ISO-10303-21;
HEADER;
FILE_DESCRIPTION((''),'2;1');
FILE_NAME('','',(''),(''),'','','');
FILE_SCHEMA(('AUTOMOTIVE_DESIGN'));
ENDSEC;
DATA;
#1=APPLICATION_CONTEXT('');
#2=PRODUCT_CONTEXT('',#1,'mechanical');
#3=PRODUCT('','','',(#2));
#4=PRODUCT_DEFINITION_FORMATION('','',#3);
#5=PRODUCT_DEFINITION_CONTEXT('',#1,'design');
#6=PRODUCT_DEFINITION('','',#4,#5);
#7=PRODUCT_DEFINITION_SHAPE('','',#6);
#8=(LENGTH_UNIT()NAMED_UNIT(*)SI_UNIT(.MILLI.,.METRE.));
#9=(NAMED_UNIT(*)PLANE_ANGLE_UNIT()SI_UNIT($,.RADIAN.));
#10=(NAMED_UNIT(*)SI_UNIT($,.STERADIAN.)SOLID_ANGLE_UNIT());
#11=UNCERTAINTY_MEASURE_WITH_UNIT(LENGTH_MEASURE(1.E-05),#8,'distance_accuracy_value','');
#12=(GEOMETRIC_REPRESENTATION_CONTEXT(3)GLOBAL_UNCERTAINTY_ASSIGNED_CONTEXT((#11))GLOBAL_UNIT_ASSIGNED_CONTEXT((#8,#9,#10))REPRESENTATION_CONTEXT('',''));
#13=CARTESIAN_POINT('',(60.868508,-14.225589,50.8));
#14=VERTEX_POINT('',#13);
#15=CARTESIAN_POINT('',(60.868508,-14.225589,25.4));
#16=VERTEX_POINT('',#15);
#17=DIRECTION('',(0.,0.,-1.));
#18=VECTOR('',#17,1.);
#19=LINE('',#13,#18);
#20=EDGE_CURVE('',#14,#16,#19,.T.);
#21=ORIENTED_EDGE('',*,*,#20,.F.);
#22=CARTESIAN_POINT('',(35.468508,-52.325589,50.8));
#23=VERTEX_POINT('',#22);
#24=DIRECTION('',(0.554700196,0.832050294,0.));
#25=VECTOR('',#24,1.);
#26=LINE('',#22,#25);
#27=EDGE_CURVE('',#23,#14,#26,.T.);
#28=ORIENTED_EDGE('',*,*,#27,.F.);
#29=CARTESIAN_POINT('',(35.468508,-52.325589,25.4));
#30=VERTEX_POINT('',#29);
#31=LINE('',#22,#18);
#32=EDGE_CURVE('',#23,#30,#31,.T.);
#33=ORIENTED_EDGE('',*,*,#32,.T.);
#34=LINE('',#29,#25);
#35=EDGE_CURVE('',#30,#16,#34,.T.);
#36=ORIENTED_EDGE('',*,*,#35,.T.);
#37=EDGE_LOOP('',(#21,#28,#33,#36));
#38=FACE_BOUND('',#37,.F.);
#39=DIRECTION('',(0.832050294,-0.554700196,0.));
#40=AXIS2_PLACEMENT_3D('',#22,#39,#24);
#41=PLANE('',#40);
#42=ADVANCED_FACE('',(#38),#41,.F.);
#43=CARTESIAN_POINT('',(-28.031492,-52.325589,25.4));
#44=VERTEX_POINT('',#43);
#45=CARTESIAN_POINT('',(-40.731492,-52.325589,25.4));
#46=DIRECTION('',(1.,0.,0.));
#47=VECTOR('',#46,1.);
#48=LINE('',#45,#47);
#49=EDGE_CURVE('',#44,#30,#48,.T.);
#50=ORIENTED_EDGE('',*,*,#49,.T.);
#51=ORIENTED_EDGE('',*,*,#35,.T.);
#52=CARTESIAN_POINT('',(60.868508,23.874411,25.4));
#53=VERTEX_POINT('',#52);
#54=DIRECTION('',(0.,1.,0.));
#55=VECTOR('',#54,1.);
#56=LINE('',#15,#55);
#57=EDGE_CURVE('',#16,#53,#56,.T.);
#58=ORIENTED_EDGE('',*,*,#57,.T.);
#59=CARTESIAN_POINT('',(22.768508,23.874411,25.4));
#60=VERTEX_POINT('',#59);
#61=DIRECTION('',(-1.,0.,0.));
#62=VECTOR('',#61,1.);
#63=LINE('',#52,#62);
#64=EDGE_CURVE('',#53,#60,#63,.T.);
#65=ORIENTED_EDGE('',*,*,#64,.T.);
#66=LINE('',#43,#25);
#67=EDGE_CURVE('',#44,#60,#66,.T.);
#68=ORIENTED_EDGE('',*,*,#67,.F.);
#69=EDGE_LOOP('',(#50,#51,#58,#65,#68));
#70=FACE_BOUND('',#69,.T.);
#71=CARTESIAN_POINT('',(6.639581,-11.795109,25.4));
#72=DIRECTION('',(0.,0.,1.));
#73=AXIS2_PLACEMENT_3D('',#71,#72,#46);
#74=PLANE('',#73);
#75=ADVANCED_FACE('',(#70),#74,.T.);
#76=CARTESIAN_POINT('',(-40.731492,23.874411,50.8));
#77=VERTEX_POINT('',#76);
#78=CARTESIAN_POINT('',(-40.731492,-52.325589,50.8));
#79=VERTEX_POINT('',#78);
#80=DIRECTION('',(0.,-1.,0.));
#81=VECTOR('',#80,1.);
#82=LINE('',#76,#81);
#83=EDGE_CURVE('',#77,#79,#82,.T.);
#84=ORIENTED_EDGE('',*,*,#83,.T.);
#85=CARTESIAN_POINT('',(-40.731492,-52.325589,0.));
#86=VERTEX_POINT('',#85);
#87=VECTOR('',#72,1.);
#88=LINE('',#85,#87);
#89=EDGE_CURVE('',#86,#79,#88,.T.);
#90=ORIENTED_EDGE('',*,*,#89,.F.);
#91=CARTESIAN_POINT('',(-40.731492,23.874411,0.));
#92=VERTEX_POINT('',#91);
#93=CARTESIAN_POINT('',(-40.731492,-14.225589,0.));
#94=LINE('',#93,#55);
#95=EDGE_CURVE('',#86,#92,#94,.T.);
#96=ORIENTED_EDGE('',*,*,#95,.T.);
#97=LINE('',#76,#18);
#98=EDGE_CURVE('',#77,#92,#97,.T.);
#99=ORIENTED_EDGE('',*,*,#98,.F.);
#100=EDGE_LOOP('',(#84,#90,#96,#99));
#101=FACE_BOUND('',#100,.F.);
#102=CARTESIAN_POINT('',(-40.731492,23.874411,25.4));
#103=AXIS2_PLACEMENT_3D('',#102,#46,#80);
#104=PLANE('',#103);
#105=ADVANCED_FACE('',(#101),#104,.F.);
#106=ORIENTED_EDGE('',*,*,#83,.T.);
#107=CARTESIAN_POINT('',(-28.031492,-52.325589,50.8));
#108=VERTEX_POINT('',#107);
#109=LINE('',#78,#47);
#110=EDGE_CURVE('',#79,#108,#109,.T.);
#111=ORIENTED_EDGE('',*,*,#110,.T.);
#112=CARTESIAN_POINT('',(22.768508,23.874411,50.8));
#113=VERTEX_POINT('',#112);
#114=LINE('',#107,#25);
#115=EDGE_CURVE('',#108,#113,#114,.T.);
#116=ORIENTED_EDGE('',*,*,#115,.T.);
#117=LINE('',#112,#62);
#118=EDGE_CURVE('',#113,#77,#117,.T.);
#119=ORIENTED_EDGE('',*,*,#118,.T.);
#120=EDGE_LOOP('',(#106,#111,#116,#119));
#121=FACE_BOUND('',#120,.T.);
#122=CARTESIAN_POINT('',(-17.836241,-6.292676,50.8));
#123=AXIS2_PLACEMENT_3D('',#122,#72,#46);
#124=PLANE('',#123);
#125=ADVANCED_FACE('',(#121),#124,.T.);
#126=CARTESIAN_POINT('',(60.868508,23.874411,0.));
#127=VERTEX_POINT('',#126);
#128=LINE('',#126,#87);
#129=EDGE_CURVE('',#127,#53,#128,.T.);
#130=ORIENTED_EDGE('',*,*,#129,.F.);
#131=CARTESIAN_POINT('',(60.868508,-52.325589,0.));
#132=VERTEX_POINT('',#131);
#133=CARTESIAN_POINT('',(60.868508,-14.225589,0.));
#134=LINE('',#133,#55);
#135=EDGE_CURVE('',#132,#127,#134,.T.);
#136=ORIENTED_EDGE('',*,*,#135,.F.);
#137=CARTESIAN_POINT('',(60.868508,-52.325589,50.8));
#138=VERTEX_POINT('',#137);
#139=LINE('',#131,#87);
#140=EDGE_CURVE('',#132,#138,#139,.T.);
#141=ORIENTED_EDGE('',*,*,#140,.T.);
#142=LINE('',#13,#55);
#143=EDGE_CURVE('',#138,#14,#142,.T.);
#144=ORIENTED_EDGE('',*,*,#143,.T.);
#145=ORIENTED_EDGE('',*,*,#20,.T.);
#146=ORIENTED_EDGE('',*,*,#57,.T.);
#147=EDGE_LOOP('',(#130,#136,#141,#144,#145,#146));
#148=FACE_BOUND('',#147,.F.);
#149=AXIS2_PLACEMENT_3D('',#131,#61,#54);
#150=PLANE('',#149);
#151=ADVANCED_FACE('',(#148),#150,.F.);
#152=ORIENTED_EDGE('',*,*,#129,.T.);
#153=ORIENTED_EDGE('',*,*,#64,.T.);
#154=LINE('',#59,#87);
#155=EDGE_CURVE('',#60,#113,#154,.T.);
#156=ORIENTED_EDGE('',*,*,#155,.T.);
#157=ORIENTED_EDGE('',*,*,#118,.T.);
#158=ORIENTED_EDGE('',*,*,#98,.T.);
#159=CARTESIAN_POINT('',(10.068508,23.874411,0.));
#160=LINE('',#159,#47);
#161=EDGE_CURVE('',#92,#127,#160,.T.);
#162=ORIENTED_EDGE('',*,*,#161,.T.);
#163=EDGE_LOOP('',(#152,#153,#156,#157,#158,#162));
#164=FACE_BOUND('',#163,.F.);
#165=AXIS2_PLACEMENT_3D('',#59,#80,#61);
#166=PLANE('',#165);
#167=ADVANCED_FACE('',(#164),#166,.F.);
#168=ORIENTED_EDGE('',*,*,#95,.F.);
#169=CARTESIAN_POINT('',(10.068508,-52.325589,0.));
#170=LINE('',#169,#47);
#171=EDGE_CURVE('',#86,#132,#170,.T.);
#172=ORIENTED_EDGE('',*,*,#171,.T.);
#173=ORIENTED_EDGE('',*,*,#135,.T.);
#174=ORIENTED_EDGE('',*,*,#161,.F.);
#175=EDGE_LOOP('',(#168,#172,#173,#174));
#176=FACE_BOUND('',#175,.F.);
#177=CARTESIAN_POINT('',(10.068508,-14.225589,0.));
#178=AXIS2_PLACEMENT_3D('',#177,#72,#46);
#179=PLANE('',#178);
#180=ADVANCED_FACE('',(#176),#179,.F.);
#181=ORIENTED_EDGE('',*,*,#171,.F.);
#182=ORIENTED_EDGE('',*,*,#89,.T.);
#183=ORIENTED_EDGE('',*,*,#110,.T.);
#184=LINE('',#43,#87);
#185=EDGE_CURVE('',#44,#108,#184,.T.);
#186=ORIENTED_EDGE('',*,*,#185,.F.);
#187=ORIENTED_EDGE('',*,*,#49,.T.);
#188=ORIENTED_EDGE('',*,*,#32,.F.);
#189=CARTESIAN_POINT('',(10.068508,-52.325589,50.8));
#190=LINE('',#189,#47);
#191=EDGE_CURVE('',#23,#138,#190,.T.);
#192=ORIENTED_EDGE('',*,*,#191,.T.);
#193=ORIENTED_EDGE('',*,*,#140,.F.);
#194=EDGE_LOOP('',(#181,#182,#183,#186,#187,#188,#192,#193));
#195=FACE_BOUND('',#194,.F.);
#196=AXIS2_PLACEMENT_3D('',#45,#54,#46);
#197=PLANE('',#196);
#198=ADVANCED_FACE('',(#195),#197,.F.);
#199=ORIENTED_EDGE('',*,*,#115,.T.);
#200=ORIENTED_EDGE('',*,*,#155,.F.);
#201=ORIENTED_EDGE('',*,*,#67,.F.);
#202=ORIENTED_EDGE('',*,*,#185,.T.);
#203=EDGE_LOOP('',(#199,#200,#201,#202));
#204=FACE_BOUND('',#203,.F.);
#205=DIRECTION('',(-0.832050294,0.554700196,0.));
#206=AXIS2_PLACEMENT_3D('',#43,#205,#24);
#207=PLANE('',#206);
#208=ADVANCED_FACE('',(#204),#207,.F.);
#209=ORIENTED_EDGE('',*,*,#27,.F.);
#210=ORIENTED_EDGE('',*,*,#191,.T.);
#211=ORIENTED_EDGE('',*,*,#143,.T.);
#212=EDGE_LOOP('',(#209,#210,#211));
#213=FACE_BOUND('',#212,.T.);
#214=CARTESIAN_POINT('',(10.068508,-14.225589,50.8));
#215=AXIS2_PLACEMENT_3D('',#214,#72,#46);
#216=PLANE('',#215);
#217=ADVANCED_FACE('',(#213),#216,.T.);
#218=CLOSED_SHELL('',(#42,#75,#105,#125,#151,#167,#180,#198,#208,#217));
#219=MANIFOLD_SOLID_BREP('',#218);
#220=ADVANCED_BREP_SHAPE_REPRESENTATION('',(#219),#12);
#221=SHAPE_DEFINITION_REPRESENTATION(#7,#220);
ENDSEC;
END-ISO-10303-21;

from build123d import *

# Parameters (mm, degrees)
F0_W     = 101.6
F0_H     = 76.2
F1_DEPTH = 50.8
F3_DEPTH = 25.4
F5_DEPTH = 25.4


with BuildPart() as f1:
    # F0 (on Top) → F1 (new body)
    with BuildSketch(Plane.XY):
        with Locations((10.068508, -14.225589)):
            Rectangle(F0_W, F0_H)
    extrude(amount=F1_DEPTH)

    # F2 (on face) → F3 (cut)
    with BuildSketch(Plane.XY.offset(50.8)):
        Polygon((-40.731492, -52.325589), (35.468508, -52.325589), (60.868508, -14.225589), (60.868508, 23.874411), (-40.731492, 23.874411), align=None)
    extrude(amount=-F3_DEPTH, mode=Mode.SUBTRACT)

    # F4 (on face) → F5 (join)
    with BuildSketch(Plane.XY.offset(25.4)):
        Polygon((-40.731492, 23.874411), (-40.731492, -52.325589), (-28.031492, -52.325589), (22.768508, 23.874411), align=None)
    extrude(amount=F5_DEPTH)


solid = f1.part
